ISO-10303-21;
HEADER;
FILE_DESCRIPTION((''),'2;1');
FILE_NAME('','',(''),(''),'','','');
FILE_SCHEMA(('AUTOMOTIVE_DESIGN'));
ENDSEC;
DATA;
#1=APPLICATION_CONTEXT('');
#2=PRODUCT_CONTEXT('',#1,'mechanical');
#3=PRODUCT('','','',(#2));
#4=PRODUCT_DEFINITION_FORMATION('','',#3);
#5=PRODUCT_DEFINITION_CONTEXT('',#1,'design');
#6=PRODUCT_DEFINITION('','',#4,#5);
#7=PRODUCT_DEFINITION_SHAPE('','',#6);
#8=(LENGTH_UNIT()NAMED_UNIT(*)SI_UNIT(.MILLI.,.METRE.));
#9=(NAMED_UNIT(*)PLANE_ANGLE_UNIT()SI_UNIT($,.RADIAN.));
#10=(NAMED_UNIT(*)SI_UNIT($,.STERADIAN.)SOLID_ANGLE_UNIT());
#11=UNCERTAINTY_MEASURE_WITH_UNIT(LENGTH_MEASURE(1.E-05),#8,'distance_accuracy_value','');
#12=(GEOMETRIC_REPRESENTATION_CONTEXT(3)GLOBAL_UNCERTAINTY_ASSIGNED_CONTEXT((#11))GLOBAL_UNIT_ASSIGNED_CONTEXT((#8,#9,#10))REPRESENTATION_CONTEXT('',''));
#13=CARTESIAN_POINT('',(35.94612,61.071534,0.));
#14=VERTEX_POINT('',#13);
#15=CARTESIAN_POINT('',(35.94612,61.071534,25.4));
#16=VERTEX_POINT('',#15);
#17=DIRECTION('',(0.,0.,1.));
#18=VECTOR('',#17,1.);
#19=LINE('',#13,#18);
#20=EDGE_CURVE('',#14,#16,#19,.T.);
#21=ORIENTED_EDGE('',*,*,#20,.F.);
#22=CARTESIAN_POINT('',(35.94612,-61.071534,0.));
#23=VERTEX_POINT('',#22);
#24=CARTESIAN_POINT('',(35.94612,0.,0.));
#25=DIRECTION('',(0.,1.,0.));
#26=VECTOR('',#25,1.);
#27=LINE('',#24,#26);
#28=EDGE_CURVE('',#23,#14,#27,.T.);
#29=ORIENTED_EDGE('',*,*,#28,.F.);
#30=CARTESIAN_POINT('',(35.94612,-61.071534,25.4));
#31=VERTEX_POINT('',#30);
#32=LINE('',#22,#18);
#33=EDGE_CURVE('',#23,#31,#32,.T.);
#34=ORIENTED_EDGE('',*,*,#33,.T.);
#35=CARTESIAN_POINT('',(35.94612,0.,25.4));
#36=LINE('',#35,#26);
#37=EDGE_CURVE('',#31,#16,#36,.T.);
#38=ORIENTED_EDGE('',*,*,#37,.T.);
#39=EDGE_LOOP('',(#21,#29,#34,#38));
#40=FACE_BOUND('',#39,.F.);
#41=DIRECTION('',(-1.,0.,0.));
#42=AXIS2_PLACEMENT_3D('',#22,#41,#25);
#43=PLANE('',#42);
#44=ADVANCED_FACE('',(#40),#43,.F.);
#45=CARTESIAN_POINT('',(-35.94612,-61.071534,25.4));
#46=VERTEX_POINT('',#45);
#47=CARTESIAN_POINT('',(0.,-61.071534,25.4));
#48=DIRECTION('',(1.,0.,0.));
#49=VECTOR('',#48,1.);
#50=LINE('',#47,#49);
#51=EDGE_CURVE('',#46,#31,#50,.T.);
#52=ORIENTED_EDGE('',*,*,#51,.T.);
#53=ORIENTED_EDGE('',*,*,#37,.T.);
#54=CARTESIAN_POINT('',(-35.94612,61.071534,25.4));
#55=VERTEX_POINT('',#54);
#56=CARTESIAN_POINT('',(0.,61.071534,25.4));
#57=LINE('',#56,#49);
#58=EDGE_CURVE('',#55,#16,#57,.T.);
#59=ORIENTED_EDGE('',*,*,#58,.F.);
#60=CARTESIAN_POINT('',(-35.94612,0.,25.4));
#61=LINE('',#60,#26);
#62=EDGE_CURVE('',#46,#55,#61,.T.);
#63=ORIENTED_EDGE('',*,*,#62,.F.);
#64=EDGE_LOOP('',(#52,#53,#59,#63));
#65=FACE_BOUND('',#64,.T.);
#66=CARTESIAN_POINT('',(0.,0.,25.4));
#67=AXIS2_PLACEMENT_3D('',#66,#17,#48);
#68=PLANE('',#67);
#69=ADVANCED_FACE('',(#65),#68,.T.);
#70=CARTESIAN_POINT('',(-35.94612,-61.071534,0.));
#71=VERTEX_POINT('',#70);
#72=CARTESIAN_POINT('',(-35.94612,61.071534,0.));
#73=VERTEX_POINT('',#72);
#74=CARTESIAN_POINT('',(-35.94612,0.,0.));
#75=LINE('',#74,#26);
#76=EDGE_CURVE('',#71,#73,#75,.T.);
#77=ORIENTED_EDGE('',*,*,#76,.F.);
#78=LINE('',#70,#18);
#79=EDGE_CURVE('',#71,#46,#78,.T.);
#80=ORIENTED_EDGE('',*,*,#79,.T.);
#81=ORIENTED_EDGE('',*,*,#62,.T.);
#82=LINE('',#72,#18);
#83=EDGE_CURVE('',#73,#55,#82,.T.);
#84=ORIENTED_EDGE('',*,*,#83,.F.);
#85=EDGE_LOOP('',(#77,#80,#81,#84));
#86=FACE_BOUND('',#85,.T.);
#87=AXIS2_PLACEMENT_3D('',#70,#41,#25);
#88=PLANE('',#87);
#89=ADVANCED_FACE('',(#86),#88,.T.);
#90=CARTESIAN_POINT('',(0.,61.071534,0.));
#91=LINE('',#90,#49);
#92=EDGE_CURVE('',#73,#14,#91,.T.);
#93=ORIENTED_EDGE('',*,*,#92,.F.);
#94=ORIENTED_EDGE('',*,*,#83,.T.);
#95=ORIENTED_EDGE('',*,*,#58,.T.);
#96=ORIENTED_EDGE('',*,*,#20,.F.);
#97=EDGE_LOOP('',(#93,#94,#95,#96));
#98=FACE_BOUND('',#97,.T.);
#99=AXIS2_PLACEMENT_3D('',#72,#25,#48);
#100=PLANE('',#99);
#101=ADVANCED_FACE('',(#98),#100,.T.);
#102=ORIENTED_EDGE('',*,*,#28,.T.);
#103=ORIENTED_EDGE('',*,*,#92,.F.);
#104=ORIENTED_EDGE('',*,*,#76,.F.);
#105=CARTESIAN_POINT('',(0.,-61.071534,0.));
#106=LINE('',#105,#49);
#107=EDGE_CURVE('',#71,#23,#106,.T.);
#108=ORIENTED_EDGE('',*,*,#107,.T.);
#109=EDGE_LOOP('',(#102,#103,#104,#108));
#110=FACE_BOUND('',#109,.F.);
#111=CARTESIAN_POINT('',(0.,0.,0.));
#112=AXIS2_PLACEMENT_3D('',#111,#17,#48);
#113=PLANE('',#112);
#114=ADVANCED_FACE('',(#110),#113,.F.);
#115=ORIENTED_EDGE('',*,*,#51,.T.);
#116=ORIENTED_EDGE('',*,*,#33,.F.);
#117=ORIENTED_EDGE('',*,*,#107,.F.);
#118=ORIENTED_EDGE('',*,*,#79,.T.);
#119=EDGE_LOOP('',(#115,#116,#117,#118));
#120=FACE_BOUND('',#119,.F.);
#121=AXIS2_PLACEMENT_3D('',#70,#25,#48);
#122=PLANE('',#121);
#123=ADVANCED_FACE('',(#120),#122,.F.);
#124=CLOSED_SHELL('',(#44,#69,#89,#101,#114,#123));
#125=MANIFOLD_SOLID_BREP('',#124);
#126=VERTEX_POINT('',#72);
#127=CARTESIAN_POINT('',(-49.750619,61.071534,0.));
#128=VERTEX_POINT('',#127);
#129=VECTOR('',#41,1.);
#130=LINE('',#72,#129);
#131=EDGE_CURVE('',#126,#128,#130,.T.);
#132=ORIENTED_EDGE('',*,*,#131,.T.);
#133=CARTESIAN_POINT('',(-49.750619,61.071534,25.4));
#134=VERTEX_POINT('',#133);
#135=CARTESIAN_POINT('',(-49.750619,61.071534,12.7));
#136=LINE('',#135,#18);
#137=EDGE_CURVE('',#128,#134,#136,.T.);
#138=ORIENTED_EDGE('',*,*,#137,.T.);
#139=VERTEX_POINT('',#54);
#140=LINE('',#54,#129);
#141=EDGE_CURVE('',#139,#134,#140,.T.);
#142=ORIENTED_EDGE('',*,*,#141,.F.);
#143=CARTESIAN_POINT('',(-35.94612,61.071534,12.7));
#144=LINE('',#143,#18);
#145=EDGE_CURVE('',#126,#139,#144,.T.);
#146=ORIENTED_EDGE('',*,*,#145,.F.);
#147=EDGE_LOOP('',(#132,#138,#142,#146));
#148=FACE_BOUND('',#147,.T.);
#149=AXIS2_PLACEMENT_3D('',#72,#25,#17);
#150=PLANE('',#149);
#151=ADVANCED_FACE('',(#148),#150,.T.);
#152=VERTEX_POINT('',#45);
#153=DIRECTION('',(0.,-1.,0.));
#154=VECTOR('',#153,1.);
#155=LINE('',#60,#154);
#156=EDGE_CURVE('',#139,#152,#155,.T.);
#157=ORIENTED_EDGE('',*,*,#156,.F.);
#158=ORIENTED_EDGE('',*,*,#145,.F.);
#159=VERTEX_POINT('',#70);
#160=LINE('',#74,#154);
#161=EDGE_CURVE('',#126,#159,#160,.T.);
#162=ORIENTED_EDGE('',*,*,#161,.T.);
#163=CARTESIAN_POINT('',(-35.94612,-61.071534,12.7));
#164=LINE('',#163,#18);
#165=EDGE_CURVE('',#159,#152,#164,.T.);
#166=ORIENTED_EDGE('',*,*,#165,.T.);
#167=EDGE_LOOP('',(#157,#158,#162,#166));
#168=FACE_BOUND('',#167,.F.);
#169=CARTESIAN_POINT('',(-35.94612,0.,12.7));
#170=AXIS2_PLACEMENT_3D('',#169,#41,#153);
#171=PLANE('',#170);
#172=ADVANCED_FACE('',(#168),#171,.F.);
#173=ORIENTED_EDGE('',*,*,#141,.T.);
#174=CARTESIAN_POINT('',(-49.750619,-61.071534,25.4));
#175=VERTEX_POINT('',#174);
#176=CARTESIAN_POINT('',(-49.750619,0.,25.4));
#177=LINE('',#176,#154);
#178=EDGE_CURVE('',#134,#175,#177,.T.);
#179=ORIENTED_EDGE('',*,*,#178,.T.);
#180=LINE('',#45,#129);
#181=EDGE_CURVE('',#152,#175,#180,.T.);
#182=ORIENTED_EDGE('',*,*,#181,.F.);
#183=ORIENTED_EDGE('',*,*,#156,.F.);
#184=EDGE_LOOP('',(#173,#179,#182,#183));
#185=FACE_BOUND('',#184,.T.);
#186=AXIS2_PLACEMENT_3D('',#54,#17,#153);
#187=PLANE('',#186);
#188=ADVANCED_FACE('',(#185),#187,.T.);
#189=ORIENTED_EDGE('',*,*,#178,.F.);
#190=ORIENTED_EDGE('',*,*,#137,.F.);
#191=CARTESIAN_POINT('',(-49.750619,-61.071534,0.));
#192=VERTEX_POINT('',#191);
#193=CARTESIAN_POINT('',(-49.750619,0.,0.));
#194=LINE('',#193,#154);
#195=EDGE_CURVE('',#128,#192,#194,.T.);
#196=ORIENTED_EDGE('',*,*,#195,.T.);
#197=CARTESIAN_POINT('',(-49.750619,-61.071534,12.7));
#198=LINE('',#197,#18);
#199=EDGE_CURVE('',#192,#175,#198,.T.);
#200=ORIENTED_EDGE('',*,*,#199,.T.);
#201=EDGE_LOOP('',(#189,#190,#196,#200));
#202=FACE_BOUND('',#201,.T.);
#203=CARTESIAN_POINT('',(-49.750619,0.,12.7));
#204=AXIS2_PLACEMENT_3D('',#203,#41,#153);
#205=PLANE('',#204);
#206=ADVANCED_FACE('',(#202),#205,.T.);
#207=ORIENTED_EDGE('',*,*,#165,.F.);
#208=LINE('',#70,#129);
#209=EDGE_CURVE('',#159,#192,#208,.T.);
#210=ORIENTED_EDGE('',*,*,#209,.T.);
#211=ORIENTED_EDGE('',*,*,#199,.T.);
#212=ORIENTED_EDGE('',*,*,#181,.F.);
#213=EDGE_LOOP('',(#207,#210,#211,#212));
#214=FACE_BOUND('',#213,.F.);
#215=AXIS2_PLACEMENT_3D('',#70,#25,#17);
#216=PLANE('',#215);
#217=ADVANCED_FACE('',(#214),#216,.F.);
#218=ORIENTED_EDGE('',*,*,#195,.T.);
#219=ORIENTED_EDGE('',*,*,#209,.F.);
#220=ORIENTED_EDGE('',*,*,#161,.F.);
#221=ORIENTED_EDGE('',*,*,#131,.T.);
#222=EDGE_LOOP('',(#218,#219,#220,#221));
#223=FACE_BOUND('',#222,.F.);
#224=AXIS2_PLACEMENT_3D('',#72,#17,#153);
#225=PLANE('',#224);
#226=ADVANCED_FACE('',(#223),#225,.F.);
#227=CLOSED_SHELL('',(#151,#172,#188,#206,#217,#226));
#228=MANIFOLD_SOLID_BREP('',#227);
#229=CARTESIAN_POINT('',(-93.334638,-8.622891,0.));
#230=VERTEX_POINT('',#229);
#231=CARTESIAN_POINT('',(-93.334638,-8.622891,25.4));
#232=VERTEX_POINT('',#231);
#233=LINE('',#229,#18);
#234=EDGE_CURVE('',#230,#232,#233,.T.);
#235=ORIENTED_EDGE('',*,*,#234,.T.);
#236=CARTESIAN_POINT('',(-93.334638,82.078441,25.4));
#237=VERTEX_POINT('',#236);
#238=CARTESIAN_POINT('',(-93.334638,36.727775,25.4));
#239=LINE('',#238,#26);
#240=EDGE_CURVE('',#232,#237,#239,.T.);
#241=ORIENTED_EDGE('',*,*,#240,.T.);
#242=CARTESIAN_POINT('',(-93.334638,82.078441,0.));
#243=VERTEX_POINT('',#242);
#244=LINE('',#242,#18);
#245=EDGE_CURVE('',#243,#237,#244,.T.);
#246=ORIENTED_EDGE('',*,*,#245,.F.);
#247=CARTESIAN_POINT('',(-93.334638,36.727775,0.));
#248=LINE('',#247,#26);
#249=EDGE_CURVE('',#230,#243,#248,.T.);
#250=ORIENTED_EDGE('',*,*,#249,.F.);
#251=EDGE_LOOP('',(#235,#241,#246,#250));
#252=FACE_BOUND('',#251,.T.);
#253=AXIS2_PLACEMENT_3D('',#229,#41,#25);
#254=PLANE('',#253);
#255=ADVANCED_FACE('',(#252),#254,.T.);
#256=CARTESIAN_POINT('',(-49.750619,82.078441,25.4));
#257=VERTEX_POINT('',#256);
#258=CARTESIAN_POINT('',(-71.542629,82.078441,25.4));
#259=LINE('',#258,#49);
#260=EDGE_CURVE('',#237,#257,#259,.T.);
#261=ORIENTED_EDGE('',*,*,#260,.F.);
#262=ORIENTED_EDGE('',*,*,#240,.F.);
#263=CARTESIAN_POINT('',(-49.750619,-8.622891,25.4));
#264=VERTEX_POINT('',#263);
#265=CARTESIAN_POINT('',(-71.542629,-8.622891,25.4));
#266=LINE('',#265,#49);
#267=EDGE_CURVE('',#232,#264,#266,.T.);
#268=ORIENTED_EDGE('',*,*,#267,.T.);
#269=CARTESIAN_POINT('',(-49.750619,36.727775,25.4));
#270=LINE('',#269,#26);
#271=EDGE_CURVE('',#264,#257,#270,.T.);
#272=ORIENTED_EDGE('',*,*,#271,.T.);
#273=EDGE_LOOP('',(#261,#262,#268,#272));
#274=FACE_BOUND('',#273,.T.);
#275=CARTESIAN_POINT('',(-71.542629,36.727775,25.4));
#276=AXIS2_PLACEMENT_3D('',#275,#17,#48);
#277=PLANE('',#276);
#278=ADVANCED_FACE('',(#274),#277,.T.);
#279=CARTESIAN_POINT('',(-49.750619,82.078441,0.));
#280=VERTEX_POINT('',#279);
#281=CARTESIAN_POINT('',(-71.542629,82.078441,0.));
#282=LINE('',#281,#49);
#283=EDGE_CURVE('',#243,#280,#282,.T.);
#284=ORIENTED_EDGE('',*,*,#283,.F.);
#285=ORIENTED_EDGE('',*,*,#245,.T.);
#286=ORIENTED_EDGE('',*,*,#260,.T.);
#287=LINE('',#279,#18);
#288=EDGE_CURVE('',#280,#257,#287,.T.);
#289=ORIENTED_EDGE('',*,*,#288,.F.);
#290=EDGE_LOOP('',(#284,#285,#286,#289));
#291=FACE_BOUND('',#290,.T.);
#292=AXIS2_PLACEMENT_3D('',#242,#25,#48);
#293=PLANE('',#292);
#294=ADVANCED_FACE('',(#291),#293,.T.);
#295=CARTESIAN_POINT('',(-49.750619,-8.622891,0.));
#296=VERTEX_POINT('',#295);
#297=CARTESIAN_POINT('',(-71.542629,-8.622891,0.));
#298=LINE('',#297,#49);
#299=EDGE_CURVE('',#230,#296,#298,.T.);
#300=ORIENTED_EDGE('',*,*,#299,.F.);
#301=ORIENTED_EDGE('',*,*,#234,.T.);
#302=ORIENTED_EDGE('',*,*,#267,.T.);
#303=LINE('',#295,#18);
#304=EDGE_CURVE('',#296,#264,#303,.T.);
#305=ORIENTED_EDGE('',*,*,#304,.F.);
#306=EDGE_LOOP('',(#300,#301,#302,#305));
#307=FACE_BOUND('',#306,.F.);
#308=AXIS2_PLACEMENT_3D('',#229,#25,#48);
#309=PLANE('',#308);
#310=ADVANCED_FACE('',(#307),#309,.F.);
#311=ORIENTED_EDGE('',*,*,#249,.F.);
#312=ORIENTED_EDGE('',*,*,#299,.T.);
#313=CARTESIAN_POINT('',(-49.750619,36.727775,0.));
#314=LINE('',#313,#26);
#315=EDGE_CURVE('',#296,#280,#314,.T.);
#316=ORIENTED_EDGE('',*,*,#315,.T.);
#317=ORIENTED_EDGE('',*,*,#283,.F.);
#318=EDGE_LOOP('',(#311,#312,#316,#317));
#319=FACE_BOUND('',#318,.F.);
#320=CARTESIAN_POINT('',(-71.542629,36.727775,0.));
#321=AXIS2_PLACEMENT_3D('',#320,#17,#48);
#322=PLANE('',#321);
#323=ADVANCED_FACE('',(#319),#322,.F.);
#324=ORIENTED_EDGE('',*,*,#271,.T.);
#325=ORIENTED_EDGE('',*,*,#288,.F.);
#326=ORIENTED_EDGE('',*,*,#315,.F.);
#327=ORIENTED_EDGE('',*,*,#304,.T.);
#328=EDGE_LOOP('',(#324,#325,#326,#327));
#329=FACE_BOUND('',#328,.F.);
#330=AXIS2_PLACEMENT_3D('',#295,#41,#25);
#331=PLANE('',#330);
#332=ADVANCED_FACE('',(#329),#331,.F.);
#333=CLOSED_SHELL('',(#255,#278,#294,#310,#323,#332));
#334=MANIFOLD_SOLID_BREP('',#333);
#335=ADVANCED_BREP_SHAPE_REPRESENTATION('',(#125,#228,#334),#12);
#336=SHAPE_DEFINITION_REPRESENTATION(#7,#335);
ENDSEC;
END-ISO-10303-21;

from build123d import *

# Parameters (mm, degrees)
F0_W      = 43.584019
F0_H      = 90.701332
F0_W_2    = 71.89224
F0_H_2    = 122.143068
F1_DEPTH  = 25.4
F1_FACE_W = 122.143068
F1_FACE_H = 25.4
F2_DEPTH  = 13.804499


with BuildPart() as f1:
    # F0 (on Top) → F1 (new body)
    with BuildSketch(Plane.XY):
        with Locations((-71.542629, 36.727775)):
            Rectangle(F0_W, F0_H)
        Rectangle(F0_W_2, F0_H_2)
    extrude(amount=F1_DEPTH)


with BuildPart() as f2:
    # F1_face (on face) → F2 (new body, through all)
    with BuildSketch(Plane(origin=(-35.94612, 0, 12.7), x_dir=(0, -1, 0), z_dir=(-1, 0, 0))):
        Rectangle(F1_FACE_W, F1_FACE_H)
    extrude(amount=F2_DEPTH)


solid = Compound([f1.part, f2.part])
